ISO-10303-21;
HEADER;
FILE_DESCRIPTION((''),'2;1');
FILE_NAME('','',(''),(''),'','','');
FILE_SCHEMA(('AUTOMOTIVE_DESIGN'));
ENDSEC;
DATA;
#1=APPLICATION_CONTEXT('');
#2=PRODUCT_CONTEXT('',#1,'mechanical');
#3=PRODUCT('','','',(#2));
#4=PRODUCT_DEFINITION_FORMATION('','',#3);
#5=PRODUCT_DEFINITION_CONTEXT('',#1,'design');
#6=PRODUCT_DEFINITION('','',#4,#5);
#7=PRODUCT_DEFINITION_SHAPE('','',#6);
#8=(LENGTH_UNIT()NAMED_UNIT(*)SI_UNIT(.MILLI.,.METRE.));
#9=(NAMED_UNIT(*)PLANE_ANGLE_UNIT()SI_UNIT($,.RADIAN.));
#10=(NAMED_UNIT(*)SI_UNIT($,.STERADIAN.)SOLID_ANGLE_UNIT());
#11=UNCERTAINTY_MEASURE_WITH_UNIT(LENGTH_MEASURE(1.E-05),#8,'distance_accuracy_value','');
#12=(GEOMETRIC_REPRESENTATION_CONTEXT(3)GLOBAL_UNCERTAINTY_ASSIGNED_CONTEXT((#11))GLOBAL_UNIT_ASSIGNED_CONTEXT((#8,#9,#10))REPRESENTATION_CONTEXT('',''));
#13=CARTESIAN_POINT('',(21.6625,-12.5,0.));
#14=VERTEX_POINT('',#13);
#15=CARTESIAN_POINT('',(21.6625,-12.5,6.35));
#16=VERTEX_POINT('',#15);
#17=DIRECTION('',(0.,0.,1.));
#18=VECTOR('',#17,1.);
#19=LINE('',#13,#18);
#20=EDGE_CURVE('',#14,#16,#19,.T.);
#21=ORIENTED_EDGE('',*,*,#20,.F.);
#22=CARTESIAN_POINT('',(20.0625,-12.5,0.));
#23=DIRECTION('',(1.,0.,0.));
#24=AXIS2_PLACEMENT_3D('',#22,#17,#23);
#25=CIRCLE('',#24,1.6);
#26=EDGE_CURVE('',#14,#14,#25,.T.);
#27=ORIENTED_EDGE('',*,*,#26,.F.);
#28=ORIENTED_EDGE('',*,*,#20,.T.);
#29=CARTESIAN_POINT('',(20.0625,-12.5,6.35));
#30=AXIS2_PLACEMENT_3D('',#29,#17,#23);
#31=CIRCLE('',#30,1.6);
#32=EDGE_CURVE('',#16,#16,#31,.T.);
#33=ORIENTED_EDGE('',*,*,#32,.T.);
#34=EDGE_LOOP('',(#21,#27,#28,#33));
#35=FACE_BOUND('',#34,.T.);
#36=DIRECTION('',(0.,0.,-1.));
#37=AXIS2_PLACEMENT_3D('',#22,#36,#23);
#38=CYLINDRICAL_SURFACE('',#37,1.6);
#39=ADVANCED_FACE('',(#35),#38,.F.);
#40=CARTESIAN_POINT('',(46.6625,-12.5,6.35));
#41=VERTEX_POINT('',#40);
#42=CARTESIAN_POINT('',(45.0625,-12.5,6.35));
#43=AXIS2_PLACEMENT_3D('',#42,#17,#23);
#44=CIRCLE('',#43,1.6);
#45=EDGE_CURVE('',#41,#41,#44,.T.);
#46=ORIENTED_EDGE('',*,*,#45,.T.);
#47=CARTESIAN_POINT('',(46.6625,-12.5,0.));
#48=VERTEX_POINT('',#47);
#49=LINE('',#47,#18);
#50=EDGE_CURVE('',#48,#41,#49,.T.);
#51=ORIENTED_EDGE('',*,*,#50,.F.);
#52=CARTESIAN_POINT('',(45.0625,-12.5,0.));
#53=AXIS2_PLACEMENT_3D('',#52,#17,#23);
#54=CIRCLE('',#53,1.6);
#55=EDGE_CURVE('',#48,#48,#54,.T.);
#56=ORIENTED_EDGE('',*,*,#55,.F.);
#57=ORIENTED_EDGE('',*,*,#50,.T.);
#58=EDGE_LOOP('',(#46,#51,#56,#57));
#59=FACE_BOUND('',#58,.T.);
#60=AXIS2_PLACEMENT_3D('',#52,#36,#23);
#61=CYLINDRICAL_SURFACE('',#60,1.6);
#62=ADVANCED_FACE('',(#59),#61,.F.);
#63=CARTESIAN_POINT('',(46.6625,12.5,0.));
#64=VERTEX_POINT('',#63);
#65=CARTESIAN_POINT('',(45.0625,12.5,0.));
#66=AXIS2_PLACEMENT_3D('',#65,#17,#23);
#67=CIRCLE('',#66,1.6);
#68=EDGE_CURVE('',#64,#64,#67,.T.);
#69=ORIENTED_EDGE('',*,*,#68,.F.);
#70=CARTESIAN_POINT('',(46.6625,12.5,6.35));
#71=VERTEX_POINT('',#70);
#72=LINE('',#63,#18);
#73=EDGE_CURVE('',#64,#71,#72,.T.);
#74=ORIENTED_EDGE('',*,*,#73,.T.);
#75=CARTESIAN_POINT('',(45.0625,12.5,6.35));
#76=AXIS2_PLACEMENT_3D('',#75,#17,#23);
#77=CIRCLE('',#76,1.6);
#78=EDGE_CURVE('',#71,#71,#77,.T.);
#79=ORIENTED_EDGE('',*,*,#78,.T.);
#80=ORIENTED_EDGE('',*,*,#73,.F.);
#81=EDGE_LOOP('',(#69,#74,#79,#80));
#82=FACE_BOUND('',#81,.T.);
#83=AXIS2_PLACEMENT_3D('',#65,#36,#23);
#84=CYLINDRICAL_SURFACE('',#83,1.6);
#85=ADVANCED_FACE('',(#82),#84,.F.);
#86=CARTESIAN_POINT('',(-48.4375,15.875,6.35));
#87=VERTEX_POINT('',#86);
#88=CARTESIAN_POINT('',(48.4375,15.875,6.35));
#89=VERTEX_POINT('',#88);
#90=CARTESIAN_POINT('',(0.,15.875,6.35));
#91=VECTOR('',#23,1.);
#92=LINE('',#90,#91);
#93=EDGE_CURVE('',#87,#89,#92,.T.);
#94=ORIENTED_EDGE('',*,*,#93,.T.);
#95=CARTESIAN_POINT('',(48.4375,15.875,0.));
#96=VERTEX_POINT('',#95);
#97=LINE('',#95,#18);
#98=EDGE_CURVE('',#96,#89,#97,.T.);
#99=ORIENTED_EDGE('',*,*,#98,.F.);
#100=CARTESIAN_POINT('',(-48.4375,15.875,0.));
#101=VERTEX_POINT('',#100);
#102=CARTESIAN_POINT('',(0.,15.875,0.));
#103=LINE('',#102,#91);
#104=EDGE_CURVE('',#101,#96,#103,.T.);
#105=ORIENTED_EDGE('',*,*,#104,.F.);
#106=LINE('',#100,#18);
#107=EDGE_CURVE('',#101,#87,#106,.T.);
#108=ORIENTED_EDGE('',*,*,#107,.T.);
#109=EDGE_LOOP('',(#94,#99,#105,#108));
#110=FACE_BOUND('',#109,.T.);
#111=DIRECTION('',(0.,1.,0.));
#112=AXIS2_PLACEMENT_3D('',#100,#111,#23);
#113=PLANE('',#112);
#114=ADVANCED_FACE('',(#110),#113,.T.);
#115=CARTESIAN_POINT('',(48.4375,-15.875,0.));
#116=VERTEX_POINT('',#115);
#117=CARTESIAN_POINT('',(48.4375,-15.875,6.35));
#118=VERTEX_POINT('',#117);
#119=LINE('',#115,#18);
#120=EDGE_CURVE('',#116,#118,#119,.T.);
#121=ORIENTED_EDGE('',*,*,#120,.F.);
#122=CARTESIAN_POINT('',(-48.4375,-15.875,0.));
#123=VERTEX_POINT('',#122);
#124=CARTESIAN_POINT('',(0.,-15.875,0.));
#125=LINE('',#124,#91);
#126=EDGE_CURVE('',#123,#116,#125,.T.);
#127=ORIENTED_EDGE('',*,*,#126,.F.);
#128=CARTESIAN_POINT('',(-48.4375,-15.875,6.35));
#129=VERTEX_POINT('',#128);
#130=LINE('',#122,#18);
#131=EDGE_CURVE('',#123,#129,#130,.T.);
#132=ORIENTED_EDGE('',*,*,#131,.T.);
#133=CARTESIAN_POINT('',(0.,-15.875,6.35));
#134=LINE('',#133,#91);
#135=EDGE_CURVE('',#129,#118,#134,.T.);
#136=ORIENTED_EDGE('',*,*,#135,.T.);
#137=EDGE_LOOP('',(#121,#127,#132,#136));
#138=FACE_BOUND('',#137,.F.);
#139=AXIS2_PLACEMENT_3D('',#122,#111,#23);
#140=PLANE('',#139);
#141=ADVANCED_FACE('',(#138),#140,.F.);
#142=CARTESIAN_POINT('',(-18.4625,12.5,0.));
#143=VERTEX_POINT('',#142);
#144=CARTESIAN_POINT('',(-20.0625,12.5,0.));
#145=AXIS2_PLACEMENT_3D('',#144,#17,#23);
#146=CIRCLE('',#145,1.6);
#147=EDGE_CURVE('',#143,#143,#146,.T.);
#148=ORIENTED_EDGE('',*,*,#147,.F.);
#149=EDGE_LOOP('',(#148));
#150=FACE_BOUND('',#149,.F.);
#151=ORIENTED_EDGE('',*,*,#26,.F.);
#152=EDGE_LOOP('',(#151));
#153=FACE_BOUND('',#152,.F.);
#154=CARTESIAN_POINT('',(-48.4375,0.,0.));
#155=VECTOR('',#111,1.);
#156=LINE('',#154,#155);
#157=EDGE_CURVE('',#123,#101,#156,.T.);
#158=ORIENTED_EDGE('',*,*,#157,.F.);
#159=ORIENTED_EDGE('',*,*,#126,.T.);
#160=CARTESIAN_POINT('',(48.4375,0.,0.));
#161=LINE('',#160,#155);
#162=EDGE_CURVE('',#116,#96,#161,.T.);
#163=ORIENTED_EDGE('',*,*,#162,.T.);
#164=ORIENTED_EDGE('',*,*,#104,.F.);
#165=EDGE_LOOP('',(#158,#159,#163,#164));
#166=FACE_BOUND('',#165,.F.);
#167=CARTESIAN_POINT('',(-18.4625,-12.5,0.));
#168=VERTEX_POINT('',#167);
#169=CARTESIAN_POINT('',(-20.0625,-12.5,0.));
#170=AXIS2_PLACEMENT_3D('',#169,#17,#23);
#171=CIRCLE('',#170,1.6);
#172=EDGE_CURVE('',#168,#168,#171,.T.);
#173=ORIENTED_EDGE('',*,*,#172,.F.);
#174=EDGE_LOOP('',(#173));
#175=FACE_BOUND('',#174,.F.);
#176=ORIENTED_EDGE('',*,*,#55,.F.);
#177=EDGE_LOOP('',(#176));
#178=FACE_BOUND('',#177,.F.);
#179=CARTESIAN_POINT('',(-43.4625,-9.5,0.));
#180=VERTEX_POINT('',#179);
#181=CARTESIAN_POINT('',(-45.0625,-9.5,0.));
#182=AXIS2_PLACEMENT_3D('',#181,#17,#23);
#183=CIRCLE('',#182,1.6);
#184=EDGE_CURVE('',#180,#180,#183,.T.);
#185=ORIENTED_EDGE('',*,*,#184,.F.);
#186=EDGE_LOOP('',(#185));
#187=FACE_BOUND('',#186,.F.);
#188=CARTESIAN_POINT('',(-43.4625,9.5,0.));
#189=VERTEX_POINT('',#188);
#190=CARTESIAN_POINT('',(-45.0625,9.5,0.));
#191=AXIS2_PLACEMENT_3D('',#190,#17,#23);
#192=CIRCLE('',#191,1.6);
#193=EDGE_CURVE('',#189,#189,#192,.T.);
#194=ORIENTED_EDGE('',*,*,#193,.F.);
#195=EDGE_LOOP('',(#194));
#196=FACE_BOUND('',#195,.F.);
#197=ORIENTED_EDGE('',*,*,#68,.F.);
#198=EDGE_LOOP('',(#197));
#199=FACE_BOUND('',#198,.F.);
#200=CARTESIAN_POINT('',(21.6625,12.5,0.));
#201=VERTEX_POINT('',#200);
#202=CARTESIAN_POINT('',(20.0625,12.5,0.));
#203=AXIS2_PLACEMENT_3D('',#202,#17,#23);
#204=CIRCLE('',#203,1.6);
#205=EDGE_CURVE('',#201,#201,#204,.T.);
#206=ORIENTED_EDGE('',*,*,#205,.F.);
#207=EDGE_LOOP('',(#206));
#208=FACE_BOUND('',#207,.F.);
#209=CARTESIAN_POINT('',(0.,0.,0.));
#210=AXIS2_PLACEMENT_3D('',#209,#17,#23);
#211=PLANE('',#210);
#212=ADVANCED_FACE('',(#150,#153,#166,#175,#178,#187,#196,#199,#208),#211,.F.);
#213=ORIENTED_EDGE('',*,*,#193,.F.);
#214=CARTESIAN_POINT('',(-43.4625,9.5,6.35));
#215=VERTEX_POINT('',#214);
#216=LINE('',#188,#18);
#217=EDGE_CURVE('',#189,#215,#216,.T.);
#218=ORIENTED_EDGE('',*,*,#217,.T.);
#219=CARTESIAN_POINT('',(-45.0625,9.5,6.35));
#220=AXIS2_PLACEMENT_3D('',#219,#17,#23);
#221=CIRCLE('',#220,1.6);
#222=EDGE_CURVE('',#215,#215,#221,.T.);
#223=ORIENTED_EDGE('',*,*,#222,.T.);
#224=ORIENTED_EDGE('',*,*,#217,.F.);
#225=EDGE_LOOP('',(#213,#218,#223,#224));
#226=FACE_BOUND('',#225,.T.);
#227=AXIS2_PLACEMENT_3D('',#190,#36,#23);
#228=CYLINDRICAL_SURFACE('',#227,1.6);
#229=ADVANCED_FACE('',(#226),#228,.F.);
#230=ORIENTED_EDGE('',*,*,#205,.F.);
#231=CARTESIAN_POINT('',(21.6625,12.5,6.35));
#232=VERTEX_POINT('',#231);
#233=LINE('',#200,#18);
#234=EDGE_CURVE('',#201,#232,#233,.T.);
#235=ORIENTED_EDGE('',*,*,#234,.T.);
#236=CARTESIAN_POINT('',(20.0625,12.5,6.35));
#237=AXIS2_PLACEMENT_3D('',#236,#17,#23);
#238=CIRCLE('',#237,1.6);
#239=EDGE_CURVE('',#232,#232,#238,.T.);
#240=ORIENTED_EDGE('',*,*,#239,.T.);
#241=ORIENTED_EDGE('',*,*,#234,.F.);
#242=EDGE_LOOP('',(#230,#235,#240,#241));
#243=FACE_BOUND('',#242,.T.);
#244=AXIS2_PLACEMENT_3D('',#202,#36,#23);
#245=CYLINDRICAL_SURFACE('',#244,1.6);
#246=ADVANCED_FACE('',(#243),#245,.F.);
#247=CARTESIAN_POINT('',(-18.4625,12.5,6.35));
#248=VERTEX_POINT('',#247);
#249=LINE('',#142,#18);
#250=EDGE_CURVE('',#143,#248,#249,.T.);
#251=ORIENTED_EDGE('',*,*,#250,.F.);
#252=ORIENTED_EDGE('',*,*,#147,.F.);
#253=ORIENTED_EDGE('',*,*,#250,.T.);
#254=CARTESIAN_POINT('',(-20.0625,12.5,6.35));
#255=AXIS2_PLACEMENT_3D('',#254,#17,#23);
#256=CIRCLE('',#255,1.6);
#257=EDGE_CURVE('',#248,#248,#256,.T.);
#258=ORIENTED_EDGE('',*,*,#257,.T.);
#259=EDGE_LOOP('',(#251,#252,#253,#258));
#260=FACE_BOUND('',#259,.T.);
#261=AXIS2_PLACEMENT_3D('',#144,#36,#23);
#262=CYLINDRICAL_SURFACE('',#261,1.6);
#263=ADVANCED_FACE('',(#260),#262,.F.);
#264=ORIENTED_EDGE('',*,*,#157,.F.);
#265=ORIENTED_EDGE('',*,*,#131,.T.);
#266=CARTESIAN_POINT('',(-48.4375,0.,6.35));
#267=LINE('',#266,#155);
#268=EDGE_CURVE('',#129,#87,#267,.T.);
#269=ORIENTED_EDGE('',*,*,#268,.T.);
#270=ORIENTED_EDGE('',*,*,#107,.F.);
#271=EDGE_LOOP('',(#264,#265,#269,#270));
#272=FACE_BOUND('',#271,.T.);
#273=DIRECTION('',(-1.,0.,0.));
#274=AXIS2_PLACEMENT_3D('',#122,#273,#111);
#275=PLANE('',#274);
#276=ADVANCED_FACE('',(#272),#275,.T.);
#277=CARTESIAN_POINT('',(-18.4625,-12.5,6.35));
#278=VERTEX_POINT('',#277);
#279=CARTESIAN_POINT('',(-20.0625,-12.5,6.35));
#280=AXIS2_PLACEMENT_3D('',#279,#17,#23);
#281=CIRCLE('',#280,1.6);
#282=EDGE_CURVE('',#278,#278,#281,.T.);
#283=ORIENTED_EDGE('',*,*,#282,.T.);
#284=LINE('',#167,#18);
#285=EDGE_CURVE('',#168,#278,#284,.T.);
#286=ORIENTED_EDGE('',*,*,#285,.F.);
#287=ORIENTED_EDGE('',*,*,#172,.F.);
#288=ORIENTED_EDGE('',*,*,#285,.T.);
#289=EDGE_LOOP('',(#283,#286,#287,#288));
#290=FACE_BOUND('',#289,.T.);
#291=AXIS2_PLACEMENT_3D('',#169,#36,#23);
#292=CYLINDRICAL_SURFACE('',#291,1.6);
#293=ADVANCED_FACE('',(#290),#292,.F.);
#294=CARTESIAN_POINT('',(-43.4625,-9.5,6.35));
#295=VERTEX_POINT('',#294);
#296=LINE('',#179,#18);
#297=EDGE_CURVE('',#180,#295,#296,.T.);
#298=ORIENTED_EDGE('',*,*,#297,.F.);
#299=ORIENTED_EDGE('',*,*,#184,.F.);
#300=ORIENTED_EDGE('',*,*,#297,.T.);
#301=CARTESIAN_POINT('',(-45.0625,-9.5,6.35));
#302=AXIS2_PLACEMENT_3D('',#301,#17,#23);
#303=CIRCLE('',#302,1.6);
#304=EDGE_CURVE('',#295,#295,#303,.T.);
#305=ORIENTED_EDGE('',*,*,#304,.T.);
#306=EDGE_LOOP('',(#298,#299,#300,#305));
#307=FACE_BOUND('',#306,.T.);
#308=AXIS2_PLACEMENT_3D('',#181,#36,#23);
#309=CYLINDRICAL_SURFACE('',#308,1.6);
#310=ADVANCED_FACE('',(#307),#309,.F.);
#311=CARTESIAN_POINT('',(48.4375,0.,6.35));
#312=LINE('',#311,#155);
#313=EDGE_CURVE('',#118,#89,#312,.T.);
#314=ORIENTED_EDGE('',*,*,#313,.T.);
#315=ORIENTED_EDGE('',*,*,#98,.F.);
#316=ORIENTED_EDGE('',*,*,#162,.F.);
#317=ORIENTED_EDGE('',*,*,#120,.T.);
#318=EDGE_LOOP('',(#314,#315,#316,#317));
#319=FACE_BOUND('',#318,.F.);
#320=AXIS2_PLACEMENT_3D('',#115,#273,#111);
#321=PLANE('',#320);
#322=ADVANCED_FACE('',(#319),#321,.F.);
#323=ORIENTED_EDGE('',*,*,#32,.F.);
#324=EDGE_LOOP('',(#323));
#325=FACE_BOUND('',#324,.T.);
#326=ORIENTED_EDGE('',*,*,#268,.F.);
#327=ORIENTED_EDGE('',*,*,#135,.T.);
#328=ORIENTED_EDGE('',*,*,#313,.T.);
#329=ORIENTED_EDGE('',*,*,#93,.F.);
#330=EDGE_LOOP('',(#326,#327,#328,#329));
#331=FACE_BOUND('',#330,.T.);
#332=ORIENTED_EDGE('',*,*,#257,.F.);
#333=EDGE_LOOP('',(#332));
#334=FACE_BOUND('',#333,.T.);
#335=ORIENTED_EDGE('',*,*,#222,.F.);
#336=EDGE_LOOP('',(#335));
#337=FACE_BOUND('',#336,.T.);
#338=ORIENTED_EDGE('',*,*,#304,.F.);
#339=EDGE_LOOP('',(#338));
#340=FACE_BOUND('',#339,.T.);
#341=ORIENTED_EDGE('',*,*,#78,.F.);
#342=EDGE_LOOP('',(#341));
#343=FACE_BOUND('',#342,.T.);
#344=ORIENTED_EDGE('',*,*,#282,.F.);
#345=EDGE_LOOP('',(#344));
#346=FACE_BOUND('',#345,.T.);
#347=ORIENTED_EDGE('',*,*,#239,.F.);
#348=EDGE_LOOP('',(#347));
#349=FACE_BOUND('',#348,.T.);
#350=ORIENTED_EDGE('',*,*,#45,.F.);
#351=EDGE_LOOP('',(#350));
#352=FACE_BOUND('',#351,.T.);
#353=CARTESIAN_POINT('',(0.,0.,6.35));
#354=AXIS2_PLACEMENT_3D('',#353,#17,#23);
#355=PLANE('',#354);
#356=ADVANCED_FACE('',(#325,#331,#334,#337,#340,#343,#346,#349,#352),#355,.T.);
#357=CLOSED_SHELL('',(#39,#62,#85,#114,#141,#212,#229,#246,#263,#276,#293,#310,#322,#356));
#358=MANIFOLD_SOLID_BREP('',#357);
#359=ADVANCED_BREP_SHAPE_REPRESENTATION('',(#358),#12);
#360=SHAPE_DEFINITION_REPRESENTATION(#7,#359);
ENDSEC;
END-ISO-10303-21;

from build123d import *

# Parameters (mm, degrees)
SKETCH_W  = 96.875
SKETCH_H  = 31.75
SKETCH_R  = 1.6
PAD_DEPTH = 6.35


with BuildPart() as part:
    # Sketch → Pad (new body)
    with BuildSketch(Plane.XY):
        Rectangle(SKETCH_W, SKETCH_H)
        with Locations((-45.0625, 9.5)):
            Circle(SKETCH_R, mode=Mode.SUBTRACT)
        with Locations((-20.0625, 12.5)):
            Circle(SKETCH_R, mode=Mode.SUBTRACT)
        with Locations((20.0625, 12.5)):
            Circle(SKETCH_R, mode=Mode.SUBTRACT)
        with Locations((45.0625, 12.5)):
            Circle(SKETCH_R, mode=Mode.SUBTRACT)
        with Locations((45.0625, -12.5)):
            Circle(SKETCH_R, mode=Mode.SUBTRACT)
        with Locations((20.0625, -12.5)):
            Circle(SKETCH_R, mode=Mode.SUBTRACT)
        with Locations((-20.0625, -12.5)):
            Circle(SKETCH_R, mode=Mode.SUBTRACT)
        with Locations((-45.0625, -9.5)):
            Circle(SKETCH_R, mode=Mode.SUBTRACT)
    extrude(amount=PAD_DEPTH)


solid = part.part
